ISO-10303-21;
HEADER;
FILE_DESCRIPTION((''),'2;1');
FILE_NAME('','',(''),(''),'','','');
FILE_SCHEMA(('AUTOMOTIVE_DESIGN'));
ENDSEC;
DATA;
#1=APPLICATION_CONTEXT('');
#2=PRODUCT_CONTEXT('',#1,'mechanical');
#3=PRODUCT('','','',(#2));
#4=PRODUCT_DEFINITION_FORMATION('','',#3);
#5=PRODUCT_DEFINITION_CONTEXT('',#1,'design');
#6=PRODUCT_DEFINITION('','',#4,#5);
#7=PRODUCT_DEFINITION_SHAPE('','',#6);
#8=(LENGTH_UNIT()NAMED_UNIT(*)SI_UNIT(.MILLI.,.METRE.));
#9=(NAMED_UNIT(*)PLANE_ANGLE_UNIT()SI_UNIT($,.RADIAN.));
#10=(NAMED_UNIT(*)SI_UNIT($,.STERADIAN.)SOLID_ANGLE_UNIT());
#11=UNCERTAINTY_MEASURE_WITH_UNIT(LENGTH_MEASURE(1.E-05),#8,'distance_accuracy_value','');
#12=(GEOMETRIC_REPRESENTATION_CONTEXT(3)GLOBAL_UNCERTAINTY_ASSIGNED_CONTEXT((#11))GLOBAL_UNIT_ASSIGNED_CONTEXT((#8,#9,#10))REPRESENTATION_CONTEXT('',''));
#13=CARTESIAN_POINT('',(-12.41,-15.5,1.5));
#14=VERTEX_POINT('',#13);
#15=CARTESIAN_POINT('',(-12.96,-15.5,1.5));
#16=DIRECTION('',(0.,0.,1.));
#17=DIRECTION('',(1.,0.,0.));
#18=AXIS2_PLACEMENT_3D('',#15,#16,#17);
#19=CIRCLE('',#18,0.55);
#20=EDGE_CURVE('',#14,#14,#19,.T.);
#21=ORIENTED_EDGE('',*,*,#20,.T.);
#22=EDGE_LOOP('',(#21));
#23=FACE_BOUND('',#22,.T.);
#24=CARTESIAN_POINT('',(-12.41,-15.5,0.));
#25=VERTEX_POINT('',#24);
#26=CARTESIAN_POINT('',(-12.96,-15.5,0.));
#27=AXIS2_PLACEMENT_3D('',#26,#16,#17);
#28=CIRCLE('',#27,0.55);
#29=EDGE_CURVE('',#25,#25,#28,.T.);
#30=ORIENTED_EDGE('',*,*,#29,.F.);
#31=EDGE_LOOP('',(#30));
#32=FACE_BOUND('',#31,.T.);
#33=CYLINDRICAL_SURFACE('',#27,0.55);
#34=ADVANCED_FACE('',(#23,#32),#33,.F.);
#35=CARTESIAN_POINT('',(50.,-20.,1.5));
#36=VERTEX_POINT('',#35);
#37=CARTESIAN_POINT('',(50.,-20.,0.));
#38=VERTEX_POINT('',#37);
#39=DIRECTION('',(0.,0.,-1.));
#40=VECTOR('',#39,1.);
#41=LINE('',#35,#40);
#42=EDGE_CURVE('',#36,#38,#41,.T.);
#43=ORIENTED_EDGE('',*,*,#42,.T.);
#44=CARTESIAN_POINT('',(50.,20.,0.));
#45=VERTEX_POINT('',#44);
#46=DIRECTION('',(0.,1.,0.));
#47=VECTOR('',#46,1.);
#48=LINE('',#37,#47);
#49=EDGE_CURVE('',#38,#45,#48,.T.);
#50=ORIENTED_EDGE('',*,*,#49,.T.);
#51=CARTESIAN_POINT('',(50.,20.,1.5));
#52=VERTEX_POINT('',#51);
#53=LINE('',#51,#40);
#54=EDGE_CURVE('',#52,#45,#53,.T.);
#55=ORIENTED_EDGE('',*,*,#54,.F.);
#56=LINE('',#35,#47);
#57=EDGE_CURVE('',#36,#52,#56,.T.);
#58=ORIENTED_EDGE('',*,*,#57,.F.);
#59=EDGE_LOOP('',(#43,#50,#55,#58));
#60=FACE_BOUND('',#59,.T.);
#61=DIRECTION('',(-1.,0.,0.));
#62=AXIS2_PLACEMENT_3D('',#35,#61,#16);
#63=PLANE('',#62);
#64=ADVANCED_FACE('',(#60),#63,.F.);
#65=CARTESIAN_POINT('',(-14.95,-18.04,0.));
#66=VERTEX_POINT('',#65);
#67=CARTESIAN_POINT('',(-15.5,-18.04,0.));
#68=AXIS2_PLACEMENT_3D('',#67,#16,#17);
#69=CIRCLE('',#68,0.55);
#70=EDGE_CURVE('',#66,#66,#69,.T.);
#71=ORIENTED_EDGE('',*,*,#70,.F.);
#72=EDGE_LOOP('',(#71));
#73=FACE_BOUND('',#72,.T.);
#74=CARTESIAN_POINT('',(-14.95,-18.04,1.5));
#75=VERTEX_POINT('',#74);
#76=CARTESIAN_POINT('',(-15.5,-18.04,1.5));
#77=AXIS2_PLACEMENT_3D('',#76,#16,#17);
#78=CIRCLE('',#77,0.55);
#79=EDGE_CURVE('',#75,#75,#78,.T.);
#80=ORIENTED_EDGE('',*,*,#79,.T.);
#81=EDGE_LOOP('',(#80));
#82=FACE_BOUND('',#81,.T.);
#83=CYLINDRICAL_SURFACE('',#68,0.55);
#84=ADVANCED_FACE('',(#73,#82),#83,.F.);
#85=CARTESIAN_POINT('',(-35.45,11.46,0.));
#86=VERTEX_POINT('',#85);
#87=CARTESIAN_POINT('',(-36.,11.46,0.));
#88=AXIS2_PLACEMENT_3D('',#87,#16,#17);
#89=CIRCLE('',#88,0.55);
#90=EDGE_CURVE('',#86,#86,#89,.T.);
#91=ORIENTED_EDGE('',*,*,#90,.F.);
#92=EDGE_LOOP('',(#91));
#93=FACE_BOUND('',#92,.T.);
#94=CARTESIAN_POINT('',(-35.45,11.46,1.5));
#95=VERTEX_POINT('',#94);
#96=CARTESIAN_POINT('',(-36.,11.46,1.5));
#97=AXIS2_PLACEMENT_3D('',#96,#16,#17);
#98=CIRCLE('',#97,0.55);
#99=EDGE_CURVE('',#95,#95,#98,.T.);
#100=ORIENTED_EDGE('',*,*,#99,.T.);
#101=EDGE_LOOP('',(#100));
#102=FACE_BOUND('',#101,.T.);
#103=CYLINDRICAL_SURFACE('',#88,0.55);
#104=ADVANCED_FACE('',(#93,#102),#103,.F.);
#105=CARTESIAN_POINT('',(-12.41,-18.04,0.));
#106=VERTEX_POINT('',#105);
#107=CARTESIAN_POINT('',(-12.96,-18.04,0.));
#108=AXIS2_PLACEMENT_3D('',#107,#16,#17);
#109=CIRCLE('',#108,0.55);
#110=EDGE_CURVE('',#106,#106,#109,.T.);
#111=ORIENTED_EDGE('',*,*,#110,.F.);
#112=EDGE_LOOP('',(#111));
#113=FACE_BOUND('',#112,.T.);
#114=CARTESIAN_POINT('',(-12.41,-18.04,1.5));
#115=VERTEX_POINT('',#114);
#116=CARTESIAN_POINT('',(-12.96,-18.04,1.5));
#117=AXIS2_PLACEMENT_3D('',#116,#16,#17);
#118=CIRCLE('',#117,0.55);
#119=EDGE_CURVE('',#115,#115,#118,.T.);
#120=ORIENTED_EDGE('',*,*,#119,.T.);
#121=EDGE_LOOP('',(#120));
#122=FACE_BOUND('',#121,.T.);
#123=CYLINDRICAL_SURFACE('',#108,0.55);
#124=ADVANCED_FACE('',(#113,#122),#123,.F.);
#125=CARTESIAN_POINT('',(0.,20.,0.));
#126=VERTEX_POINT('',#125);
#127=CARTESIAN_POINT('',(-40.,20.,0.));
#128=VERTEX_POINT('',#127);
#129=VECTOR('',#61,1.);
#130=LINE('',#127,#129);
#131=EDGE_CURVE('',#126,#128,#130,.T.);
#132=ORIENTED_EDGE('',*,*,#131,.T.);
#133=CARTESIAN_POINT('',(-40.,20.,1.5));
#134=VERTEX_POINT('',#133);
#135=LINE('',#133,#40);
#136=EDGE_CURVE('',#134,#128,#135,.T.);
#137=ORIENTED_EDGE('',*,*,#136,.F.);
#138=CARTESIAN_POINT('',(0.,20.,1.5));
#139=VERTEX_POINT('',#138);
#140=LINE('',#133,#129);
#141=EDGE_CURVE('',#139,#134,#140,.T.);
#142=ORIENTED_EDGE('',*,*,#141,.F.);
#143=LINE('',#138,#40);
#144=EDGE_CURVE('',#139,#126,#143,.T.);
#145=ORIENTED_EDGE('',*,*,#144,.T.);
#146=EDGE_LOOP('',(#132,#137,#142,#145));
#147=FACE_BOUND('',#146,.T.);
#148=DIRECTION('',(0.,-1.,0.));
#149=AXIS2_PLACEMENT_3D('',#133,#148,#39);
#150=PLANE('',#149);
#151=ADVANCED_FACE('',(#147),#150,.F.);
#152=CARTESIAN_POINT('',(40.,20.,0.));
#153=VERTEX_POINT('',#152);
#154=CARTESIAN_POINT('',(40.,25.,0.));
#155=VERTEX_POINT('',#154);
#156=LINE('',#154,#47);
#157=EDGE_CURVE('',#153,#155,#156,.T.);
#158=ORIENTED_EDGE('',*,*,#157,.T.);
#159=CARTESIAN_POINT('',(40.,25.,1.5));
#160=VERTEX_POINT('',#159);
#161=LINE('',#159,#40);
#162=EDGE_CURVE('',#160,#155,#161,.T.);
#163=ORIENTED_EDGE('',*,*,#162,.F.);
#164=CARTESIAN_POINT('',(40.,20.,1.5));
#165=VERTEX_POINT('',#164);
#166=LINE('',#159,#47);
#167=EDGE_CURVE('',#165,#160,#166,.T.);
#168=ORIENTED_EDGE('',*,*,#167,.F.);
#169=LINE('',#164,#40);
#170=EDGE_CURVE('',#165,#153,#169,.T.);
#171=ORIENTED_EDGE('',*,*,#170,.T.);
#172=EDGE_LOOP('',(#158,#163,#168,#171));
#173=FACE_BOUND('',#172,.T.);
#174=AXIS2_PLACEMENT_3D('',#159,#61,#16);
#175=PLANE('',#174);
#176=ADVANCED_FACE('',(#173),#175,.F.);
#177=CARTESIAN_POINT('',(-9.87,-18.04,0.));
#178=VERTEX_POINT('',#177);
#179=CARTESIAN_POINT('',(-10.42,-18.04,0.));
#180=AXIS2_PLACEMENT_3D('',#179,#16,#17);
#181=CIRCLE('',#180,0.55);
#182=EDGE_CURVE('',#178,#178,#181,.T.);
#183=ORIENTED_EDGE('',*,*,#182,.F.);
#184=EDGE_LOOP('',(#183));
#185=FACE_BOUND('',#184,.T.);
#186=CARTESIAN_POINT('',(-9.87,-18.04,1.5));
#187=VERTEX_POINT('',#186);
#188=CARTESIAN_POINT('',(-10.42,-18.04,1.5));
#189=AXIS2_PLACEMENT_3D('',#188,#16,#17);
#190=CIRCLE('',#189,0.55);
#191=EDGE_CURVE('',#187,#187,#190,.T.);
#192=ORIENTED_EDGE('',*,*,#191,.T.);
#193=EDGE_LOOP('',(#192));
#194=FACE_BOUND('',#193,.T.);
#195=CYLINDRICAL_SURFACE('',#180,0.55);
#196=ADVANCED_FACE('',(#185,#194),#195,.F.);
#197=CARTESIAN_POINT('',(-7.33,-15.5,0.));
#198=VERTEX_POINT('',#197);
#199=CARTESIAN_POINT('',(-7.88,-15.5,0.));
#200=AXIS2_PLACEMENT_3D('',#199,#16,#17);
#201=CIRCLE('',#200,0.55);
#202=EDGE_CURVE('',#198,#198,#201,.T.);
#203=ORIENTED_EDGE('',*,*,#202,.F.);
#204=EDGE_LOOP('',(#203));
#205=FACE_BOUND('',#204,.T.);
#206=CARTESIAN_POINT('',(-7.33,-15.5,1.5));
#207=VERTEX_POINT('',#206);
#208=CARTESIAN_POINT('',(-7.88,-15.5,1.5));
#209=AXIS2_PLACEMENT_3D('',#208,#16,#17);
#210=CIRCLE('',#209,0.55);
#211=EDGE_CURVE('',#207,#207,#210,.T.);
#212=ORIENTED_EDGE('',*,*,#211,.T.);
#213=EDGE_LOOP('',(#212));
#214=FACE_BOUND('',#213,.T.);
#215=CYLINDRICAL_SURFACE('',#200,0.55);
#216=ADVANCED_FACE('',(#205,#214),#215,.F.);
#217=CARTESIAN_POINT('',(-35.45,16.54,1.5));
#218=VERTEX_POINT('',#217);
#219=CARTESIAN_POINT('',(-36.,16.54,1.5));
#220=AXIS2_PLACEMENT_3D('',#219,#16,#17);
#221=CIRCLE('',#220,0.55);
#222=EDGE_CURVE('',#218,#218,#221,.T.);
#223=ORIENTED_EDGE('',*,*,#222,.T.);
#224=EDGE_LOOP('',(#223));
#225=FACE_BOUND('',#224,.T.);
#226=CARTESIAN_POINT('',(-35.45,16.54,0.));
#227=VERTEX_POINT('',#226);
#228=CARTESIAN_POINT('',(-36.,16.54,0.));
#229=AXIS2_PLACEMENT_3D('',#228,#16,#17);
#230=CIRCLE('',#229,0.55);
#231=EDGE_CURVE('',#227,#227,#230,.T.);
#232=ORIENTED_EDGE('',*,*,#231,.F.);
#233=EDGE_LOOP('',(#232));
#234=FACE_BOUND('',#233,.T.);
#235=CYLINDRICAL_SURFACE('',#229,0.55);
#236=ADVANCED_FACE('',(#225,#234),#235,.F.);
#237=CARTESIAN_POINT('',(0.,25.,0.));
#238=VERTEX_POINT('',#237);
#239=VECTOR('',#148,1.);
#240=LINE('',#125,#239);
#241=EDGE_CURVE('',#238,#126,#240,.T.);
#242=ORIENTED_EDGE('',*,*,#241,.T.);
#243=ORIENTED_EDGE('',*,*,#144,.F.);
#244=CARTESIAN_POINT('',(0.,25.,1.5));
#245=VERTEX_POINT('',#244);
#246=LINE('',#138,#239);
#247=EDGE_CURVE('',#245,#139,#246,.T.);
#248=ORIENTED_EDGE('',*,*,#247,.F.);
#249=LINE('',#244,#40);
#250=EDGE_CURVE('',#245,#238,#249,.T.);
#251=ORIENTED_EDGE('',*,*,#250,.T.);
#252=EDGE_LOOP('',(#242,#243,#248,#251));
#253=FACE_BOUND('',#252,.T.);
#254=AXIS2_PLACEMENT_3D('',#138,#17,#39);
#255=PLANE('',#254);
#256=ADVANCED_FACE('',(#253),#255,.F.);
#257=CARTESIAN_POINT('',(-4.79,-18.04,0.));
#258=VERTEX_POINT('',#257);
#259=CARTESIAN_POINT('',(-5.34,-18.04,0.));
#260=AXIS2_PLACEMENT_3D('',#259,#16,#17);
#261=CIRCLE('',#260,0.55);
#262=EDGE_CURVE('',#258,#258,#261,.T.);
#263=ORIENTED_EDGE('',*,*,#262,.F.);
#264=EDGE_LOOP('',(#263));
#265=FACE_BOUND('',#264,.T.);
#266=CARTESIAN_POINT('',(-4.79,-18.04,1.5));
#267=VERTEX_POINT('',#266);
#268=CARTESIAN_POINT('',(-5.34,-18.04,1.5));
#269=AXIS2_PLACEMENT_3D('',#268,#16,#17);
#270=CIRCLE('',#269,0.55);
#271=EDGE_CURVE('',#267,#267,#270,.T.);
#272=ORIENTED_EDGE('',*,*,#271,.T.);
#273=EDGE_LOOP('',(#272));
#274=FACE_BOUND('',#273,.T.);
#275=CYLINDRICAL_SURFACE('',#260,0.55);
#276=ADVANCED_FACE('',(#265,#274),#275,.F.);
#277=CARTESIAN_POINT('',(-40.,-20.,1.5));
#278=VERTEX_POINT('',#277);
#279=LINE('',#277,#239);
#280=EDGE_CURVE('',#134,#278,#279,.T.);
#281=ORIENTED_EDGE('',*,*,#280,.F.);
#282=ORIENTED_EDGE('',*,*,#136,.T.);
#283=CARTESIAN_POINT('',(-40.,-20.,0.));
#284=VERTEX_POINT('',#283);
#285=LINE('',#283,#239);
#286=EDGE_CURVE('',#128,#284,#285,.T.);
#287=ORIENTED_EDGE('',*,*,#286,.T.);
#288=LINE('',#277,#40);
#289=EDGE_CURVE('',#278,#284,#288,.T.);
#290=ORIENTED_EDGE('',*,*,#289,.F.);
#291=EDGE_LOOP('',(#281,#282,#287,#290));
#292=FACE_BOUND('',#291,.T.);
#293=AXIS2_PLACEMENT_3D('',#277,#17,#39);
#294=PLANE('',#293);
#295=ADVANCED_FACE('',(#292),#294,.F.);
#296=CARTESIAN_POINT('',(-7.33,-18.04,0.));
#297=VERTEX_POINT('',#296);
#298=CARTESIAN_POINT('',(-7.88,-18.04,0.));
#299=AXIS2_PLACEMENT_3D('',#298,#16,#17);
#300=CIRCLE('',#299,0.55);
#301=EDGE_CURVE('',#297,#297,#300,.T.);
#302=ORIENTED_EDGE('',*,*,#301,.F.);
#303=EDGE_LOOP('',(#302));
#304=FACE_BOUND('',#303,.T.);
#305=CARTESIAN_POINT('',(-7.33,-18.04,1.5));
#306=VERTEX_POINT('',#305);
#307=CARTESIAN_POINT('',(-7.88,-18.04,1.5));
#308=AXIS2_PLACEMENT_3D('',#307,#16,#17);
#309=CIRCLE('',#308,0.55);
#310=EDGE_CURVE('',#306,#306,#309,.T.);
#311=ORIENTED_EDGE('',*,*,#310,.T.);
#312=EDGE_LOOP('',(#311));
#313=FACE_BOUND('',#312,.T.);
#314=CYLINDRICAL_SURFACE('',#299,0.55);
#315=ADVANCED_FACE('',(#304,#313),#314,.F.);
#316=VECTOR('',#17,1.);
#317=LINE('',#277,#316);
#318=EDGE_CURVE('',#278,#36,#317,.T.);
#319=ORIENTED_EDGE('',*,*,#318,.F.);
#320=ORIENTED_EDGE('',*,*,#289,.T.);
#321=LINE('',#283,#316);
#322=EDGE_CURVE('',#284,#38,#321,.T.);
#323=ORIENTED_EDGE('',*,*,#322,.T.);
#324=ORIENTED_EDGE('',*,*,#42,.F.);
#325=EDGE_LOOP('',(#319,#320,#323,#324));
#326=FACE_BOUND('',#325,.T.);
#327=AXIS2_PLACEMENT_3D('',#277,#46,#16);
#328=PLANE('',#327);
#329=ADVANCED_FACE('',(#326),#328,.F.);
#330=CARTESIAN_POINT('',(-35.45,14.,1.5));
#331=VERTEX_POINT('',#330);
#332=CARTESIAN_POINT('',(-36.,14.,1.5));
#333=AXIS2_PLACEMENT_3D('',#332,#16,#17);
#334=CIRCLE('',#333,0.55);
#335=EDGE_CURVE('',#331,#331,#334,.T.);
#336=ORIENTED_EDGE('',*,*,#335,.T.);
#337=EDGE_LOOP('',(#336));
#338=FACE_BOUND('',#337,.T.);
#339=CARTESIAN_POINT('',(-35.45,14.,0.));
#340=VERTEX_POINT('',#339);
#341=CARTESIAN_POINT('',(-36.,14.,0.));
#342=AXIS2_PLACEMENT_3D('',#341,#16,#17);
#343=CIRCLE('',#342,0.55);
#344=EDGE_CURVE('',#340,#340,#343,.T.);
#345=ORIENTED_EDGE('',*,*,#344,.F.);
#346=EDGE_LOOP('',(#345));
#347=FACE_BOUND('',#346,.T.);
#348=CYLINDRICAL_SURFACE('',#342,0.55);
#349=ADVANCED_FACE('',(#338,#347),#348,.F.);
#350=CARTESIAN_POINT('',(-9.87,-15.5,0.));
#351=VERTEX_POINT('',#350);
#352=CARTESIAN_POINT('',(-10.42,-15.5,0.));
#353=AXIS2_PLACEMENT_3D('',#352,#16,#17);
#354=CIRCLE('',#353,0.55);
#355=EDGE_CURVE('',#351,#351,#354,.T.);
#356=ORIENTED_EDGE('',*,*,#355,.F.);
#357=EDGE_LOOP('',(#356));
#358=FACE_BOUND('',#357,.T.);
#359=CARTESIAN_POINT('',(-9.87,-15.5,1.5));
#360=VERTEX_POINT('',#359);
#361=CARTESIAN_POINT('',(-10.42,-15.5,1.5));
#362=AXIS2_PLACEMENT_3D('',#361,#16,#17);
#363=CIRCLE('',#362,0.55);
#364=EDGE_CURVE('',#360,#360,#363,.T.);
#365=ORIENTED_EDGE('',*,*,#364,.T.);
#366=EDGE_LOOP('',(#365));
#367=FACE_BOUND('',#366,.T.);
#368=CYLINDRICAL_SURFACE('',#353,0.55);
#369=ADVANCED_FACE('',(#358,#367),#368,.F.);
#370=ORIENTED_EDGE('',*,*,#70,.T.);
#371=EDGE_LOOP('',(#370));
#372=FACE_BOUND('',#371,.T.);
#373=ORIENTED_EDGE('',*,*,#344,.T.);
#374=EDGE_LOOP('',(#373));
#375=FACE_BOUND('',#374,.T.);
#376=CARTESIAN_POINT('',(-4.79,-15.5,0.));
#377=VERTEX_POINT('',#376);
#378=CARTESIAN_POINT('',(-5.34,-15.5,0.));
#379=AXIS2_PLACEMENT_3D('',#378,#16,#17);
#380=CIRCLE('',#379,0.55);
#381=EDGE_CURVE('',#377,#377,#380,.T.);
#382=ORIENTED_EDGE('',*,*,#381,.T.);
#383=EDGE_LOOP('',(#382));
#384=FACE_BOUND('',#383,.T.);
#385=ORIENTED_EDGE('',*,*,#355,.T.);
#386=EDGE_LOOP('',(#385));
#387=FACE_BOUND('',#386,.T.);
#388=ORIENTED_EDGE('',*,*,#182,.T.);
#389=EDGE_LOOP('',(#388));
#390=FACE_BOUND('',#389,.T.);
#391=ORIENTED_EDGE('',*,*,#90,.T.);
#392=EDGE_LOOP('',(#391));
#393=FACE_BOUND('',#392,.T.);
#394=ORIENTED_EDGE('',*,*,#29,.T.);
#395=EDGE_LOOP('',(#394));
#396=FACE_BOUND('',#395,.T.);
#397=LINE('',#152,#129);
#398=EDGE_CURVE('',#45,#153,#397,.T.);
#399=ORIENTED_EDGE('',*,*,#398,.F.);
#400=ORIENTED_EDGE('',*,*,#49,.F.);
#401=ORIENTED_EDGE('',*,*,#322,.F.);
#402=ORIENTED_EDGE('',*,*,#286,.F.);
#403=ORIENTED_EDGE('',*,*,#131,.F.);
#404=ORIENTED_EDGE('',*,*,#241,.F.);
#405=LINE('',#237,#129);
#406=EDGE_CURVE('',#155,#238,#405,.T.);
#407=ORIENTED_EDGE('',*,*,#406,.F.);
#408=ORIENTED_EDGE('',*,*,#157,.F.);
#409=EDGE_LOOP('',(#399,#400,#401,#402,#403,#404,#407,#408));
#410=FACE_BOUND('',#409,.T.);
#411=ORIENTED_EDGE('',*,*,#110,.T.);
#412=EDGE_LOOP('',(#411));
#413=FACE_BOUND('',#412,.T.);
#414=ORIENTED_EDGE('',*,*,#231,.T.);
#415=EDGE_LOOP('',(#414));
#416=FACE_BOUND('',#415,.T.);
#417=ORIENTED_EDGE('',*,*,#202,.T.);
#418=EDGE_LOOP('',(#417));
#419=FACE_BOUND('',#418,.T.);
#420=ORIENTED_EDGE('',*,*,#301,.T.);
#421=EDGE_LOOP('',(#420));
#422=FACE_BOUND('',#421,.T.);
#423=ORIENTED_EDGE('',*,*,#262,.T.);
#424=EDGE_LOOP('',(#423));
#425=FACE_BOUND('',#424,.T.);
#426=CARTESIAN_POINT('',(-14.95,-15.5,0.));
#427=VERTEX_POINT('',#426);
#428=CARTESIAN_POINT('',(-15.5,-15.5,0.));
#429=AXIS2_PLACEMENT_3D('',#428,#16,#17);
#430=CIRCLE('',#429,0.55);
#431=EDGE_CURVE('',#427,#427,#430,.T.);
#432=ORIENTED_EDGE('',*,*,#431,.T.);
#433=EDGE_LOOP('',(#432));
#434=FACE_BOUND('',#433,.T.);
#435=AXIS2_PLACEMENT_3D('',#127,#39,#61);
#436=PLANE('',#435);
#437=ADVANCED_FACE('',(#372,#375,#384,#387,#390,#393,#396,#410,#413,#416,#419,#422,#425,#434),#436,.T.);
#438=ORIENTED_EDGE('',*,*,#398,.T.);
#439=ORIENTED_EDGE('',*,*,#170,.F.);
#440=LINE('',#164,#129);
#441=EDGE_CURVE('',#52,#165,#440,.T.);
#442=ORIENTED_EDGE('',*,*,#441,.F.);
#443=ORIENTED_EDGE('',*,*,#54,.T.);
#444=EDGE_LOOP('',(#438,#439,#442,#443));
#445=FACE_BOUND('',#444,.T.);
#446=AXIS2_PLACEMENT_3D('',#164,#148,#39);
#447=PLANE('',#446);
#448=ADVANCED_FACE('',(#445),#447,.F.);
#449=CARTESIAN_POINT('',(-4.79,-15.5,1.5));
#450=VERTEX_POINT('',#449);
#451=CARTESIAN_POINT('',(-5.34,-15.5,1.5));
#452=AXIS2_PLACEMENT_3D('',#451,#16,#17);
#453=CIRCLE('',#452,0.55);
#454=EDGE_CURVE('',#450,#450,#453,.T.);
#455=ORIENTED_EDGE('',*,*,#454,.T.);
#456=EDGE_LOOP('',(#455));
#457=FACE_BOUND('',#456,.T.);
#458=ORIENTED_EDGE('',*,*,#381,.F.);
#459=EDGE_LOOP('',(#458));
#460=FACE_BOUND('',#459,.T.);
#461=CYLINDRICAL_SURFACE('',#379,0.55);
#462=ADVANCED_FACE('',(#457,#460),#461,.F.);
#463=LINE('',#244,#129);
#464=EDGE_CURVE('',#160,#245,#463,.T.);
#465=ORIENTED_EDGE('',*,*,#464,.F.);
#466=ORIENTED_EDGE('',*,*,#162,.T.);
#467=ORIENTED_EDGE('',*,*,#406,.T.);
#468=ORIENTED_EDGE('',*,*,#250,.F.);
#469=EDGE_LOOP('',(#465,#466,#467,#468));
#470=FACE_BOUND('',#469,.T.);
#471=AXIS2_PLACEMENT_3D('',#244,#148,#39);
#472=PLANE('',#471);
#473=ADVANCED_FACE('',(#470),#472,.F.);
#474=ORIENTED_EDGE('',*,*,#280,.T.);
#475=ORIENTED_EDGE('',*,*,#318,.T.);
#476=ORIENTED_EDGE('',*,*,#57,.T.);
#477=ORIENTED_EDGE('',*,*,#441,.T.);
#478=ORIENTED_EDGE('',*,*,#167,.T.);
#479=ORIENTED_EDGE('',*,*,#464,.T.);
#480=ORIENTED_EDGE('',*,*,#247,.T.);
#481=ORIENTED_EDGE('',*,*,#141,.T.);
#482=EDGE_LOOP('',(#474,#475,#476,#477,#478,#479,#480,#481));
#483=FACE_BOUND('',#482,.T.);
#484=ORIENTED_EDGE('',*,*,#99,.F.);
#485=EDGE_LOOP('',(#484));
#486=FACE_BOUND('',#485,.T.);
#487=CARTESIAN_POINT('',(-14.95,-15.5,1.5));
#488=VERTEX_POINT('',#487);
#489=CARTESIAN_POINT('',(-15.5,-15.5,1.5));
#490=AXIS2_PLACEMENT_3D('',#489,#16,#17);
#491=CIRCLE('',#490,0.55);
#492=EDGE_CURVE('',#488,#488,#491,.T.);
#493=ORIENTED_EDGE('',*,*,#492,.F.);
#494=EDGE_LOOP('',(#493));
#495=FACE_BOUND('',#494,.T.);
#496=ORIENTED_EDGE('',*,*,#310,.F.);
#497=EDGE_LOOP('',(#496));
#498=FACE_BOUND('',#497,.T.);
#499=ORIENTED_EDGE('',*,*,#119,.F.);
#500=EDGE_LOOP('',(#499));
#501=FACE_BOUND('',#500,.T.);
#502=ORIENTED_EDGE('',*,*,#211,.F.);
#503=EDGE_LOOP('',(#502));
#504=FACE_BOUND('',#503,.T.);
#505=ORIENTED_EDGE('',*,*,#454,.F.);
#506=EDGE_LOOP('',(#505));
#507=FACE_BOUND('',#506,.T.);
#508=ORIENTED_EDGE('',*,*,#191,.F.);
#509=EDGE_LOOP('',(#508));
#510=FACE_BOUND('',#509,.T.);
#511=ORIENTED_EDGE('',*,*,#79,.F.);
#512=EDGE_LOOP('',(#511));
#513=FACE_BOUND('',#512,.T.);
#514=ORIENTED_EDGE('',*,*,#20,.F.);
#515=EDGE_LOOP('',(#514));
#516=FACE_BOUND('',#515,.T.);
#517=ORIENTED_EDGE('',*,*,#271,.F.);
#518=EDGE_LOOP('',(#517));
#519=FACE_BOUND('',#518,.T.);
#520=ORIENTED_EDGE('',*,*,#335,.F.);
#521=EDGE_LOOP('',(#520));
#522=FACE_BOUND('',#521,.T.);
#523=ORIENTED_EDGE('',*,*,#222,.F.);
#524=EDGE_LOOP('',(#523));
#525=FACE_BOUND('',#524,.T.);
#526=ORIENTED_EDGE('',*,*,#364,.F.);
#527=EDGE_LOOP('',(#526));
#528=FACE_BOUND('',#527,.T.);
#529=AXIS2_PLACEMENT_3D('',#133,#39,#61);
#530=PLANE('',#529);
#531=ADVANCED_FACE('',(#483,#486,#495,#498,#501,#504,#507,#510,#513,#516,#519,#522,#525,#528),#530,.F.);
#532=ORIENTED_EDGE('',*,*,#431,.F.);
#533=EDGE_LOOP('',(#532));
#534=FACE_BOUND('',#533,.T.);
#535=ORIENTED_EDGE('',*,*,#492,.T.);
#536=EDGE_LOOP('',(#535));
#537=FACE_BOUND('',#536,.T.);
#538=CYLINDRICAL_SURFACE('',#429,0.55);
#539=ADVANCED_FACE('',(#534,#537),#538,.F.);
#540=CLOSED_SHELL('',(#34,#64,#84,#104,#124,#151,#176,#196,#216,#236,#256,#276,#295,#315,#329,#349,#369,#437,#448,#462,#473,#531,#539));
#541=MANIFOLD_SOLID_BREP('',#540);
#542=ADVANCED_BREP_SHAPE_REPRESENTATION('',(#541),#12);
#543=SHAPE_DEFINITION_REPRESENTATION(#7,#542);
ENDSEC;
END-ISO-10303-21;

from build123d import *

# Parameters (mm, degrees)
EXTRUDE_1_DEPTH     = 1.5
SKETCH_2_R          = 0.55
CUT_EXTRUDE_1_DEPTH = 1.5


with BuildPart() as part:
    # Эскиз1 → Вытянуть1 (new body)
    with BuildSketch(Plane.XY):
        Polygon((0, 20), (0, 25), (40, 25), (40, 20), (50, 20), (50, -20), (-40, -20), (-40, 20), align=None)
    extrude(amount=EXTRUDE_1_DEPTH)

    # Эскиз2 → Вырез-Вытянуть1 (cut)
    with BuildSketch(Plane.XY.offset(1.5)):
        with Locations((-36, 16.54)):
            Circle(SKETCH_2_R)
        with Locations((-36, 11.46)):
            Circle(SKETCH_2_R)
        with Locations((-36, 14)):
            Circle(SKETCH_2_R)
        with Locations((-15.5, -15.5)):
            Circle(SKETCH_2_R)
        with Locations((-15.5, -18.04)):
            Circle(SKETCH_2_R)
        with Locations((-12.96, -15.5)):
            Circle(SKETCH_2_R)
        with Locations((-12.96, -18.04)):
            Circle(SKETCH_2_R)
        with Locations((-10.42, -15.5)):
            Circle(SKETCH_2_R)
        with Locations((-10.42, -18.04)):
            Circle(SKETCH_2_R)
        with Locations((-7.88, -15.5)):
            Circle(SKETCH_2_R)
        with Locations((-7.88, -18.04)):
            Circle(SKETCH_2_R)
        with Locations((-5.34, -15.5)):
            Circle(SKETCH_2_R)
        with Locations((-5.34, -18.04)):
            Circle(SKETCH_2_R)
    extrude(amount=-CUT_EXTRUDE_1_DEPTH, mode=Mode.SUBTRACT)


solid = part.part
